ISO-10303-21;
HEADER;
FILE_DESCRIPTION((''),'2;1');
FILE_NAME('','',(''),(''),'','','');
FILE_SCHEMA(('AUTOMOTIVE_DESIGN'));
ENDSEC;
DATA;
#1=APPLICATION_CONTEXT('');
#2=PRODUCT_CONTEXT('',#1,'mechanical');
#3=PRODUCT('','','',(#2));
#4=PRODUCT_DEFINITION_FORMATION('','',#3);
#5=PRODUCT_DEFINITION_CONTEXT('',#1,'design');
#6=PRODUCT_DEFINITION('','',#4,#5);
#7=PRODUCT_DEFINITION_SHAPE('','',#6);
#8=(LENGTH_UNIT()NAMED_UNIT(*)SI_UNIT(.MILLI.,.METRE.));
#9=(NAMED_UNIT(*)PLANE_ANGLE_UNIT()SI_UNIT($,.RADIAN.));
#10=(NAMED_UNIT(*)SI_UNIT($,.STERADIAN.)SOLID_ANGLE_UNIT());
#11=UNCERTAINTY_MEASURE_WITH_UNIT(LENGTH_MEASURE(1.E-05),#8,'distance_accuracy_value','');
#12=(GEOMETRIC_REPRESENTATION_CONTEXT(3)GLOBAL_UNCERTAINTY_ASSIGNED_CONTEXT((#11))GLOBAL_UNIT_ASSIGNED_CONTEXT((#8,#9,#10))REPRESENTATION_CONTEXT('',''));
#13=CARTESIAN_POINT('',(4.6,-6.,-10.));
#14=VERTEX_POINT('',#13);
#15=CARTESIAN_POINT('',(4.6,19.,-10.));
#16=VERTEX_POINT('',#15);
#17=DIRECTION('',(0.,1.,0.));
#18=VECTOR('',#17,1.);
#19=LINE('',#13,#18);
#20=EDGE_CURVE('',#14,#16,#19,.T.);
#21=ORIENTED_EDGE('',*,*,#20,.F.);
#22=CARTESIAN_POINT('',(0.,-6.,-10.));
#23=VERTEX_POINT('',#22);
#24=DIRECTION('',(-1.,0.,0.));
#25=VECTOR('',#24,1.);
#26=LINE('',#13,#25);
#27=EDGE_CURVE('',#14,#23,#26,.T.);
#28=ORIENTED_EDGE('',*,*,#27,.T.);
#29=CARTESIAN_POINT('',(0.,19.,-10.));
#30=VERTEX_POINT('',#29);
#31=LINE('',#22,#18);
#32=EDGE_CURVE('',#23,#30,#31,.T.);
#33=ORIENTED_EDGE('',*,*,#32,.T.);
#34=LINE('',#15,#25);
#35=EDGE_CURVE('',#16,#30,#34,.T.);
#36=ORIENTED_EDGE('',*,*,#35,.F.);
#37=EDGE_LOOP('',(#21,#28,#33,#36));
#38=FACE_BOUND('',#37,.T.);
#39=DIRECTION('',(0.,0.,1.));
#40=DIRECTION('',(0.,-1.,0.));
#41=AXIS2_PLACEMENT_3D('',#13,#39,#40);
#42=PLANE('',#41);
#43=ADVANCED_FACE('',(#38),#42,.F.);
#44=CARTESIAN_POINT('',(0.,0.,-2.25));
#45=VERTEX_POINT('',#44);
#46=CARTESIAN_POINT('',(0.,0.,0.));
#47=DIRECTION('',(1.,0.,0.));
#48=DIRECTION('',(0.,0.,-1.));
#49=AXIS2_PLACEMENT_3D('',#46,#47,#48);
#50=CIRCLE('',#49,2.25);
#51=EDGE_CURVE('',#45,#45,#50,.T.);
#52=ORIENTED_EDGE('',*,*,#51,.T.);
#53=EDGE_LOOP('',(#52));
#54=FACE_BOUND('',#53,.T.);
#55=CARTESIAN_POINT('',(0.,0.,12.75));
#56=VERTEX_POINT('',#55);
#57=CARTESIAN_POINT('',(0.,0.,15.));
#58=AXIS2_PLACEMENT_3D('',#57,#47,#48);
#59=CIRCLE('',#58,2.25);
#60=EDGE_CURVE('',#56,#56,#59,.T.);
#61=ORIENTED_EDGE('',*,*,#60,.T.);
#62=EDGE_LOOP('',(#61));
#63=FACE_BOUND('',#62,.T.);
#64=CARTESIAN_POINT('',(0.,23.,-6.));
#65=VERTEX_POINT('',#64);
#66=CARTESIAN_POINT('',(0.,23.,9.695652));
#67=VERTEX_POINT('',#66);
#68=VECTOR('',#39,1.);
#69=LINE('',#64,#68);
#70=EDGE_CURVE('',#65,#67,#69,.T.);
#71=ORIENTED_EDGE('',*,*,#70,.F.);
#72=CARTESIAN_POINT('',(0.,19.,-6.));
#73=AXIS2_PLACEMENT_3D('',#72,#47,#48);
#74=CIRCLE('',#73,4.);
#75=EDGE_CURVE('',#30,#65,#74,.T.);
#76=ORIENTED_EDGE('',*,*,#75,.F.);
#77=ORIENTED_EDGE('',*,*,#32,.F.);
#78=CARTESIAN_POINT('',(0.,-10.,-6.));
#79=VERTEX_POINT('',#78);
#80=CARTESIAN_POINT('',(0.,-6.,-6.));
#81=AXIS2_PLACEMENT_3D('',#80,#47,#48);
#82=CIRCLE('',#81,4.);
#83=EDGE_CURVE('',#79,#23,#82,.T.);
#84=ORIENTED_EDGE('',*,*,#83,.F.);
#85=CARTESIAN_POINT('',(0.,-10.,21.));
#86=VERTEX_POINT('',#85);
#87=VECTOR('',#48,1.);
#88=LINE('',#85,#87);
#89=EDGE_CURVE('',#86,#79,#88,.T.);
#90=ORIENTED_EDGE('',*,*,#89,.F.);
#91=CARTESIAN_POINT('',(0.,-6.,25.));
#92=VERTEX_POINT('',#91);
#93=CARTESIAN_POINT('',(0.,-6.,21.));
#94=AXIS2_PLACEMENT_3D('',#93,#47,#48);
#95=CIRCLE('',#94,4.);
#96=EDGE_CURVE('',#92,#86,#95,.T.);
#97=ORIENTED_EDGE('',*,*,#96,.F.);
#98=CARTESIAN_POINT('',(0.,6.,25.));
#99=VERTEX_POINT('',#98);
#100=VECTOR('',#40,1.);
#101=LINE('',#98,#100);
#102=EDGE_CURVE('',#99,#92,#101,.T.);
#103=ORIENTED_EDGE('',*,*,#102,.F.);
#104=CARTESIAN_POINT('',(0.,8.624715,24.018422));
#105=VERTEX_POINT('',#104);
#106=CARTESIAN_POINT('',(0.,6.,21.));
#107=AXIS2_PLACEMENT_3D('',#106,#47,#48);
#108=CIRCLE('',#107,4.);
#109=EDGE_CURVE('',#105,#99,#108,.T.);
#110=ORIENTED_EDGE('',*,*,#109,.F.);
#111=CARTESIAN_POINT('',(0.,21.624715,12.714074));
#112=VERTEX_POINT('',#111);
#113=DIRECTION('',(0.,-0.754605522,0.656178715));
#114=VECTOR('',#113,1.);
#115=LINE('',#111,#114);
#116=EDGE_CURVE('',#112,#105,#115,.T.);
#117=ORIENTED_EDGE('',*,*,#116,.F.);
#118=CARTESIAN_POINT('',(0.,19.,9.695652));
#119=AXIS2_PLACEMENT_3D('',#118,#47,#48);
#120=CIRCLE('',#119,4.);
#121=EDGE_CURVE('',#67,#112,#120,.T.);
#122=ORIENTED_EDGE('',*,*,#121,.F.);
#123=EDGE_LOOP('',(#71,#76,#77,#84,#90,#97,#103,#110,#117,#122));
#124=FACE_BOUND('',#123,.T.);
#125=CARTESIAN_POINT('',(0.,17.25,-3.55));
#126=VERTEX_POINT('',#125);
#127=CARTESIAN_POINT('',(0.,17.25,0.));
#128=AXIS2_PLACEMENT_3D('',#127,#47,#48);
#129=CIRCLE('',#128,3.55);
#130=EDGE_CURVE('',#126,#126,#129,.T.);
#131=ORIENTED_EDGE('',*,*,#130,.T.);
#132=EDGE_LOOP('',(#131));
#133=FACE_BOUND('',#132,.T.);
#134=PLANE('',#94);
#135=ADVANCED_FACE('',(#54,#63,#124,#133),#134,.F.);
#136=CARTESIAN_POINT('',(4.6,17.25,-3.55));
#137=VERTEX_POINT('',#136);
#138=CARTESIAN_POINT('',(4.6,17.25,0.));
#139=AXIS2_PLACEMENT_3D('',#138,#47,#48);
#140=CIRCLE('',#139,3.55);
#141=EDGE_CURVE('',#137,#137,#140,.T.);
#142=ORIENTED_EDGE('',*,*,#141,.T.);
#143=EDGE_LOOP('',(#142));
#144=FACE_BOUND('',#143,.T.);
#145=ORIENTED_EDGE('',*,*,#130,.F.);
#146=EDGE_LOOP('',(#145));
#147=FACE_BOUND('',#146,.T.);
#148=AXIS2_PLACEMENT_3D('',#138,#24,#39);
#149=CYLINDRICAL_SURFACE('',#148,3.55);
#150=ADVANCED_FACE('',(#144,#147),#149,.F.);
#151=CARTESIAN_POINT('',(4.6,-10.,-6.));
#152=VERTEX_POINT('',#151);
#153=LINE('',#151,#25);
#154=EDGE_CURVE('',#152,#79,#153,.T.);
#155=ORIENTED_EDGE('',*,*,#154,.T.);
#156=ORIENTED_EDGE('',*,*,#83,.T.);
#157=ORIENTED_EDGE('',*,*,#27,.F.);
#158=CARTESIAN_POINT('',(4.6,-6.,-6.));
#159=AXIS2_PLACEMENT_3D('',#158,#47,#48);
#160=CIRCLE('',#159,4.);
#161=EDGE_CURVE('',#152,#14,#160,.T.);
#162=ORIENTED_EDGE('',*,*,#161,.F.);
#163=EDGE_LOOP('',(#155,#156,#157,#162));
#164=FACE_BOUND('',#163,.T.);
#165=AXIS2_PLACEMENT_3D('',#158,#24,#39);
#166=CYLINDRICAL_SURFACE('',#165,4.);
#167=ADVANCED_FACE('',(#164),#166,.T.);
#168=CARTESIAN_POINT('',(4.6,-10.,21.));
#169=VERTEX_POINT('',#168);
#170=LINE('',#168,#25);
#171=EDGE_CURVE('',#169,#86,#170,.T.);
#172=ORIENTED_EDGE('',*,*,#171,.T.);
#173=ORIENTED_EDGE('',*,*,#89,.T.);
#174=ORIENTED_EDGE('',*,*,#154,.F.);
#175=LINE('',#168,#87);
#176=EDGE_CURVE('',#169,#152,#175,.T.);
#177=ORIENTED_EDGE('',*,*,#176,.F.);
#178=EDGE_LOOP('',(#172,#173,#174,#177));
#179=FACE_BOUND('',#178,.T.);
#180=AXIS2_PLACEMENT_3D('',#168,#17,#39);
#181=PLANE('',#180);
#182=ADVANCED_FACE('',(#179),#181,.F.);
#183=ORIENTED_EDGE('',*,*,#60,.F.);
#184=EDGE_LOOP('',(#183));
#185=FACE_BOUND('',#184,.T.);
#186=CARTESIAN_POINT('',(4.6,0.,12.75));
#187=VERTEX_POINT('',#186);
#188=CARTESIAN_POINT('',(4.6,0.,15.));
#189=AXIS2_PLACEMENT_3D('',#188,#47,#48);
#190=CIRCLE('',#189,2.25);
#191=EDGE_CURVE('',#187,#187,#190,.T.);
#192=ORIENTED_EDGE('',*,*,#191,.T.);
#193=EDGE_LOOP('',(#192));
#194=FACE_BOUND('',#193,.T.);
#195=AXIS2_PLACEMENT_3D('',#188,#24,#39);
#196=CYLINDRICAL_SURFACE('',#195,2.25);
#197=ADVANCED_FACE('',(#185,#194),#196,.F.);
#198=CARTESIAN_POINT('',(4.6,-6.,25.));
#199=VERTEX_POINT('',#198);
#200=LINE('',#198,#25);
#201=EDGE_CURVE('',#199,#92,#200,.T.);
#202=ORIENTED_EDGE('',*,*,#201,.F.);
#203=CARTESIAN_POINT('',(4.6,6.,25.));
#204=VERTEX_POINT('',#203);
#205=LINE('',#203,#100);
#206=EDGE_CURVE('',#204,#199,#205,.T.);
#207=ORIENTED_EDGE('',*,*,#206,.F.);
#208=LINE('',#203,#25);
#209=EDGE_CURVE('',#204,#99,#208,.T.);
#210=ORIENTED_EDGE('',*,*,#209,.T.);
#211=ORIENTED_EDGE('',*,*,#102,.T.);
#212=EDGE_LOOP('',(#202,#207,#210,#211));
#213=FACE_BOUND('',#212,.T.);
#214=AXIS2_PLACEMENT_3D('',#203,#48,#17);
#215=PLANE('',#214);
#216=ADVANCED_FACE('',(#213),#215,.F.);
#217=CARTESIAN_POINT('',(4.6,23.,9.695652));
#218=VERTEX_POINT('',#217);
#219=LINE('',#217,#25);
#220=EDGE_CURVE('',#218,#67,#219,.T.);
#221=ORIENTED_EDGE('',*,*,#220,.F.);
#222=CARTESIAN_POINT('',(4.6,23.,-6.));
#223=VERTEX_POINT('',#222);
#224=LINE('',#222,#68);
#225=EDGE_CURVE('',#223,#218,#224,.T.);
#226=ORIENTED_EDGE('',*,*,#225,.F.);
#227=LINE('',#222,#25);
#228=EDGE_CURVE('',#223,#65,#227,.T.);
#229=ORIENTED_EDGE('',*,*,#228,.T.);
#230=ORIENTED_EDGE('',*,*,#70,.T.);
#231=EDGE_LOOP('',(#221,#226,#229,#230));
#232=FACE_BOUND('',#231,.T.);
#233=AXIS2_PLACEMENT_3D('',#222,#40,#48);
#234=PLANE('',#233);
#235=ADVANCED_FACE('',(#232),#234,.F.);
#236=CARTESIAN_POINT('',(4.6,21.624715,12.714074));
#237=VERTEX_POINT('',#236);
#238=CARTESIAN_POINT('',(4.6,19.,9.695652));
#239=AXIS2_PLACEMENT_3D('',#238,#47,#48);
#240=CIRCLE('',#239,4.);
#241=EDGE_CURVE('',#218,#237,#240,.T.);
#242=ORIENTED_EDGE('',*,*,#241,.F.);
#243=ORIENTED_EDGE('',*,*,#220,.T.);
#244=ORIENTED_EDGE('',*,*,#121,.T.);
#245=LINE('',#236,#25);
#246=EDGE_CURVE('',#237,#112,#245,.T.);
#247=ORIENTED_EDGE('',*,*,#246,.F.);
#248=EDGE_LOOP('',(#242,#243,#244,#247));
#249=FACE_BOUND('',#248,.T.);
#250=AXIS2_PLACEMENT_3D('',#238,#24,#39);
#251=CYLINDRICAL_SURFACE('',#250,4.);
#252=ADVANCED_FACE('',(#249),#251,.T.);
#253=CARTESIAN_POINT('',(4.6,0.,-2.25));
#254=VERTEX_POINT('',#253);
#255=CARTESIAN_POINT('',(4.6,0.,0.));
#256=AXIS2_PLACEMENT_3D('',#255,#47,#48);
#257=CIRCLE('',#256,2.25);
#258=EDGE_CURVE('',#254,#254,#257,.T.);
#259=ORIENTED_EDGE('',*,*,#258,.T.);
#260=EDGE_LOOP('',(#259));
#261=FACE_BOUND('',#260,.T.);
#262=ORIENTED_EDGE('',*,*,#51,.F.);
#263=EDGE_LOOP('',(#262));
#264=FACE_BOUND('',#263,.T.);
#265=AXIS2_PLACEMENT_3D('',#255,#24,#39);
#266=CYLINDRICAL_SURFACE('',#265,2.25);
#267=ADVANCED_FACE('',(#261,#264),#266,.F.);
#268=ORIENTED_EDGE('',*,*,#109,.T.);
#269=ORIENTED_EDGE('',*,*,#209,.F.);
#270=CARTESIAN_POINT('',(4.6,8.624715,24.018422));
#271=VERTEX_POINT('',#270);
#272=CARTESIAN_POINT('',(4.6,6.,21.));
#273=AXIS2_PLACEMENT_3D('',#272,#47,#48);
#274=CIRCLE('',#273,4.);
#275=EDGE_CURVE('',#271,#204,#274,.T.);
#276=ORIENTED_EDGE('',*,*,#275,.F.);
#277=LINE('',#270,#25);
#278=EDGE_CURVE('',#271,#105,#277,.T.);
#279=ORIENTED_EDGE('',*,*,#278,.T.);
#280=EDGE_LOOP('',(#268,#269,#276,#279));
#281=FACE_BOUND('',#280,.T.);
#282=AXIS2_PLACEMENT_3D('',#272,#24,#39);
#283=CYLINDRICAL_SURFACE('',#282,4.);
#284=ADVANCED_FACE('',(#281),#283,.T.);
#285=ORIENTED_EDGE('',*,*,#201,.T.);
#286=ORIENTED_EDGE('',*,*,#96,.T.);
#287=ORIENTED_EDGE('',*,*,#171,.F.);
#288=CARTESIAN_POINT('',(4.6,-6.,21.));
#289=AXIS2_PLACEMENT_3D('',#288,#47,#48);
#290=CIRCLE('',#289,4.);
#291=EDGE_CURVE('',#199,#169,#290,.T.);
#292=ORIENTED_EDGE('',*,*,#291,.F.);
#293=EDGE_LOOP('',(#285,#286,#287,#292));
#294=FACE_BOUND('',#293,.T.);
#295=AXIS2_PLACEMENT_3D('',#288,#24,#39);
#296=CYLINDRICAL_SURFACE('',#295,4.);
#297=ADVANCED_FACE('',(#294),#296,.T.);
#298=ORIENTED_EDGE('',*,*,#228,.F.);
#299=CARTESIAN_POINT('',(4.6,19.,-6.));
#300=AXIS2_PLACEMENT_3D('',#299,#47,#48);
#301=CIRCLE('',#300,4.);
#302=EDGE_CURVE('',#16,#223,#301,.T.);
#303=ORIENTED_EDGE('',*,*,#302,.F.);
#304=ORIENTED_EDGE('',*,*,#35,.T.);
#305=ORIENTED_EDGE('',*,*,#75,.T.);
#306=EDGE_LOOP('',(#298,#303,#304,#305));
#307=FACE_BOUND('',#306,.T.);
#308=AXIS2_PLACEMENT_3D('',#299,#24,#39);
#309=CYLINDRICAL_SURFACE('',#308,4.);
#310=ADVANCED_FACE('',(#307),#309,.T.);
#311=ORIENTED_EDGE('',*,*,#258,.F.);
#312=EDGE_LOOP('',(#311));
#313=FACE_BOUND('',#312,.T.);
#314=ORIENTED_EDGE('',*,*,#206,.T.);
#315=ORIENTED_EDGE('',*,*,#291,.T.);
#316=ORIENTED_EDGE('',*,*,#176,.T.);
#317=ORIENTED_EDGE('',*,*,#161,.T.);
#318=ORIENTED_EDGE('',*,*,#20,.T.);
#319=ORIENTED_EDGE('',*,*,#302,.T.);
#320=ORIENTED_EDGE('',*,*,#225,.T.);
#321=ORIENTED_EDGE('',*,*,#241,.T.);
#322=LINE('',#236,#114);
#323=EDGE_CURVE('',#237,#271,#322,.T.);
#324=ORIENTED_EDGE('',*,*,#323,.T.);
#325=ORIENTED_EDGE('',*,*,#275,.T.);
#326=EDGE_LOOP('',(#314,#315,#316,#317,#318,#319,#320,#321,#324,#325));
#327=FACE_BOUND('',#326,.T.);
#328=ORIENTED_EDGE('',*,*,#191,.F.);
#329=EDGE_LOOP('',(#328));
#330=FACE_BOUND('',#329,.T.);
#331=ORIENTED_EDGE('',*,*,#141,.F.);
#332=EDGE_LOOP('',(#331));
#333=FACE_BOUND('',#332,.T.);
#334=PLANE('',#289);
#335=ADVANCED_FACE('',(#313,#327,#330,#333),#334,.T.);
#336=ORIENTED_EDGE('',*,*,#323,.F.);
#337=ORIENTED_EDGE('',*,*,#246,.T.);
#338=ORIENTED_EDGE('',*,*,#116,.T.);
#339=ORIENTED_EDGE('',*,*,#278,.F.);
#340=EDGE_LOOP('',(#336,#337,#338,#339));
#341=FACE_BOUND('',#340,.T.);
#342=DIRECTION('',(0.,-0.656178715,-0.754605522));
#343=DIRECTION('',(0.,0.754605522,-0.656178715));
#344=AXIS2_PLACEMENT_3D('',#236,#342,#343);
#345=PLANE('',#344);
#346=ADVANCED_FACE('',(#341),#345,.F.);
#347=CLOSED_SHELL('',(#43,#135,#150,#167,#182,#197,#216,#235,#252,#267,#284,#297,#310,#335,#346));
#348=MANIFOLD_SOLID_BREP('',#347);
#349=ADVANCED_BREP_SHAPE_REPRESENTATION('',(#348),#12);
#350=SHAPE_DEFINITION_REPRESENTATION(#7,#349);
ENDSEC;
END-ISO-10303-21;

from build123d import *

# Parameters (mm, degrees)
SKETCH1_R           = 2.25
SKETCH1_R_2         = 3.55
BOSS_EXTRUDE1_DEPTH = 4.6


with BuildPart() as part:
    # Sketch1 → Boss-Extrude1 (new body)
    with BuildSketch(Plane(origin=(0, 0, 0), x_dir=(0, 0, -1), z_dir=(1, 0, 0))):
        with BuildLine():
            Line((-21, -10), (6, -10))
            ThreePointArc((6, -10), (8.828427125, -8.828427125), (10, -6))
            Line((10, -6), (10, 19))
            ThreePointArc((10, 19), (8.828427125, 21.828427125), (6, 23))
            Line((6, 23), (-9.695652174, 23))
            ThreePointArc((-9.695652174, 23), (-11.354136506, 22.63997661), (-12.714074263, 21.62471486))
            Line((-12.714074263, 21.62471486), (-24.018422089, 8.62471486))
            ThreePointArc((-24.018422089, 8.62471486), (-24.746577662, 7.401126626), (-25, 6))
            Line((-25, 6), (-25, -6))
            ThreePointArc((-25, -6), (-23.828427125, -8.828427125), (-21, -10))
        make_face()
        with Locations((-15, 0)):
            Circle(SKETCH1_R, mode=Mode.SUBTRACT)
        with Locations((0, 17.25)):
            Circle(SKETCH1_R_2, mode=Mode.SUBTRACT)
        Circle(SKETCH1_R, mode=Mode.SUBTRACT)
    extrude(amount=BOSS_EXTRUDE1_DEPTH)


solid = part.part
